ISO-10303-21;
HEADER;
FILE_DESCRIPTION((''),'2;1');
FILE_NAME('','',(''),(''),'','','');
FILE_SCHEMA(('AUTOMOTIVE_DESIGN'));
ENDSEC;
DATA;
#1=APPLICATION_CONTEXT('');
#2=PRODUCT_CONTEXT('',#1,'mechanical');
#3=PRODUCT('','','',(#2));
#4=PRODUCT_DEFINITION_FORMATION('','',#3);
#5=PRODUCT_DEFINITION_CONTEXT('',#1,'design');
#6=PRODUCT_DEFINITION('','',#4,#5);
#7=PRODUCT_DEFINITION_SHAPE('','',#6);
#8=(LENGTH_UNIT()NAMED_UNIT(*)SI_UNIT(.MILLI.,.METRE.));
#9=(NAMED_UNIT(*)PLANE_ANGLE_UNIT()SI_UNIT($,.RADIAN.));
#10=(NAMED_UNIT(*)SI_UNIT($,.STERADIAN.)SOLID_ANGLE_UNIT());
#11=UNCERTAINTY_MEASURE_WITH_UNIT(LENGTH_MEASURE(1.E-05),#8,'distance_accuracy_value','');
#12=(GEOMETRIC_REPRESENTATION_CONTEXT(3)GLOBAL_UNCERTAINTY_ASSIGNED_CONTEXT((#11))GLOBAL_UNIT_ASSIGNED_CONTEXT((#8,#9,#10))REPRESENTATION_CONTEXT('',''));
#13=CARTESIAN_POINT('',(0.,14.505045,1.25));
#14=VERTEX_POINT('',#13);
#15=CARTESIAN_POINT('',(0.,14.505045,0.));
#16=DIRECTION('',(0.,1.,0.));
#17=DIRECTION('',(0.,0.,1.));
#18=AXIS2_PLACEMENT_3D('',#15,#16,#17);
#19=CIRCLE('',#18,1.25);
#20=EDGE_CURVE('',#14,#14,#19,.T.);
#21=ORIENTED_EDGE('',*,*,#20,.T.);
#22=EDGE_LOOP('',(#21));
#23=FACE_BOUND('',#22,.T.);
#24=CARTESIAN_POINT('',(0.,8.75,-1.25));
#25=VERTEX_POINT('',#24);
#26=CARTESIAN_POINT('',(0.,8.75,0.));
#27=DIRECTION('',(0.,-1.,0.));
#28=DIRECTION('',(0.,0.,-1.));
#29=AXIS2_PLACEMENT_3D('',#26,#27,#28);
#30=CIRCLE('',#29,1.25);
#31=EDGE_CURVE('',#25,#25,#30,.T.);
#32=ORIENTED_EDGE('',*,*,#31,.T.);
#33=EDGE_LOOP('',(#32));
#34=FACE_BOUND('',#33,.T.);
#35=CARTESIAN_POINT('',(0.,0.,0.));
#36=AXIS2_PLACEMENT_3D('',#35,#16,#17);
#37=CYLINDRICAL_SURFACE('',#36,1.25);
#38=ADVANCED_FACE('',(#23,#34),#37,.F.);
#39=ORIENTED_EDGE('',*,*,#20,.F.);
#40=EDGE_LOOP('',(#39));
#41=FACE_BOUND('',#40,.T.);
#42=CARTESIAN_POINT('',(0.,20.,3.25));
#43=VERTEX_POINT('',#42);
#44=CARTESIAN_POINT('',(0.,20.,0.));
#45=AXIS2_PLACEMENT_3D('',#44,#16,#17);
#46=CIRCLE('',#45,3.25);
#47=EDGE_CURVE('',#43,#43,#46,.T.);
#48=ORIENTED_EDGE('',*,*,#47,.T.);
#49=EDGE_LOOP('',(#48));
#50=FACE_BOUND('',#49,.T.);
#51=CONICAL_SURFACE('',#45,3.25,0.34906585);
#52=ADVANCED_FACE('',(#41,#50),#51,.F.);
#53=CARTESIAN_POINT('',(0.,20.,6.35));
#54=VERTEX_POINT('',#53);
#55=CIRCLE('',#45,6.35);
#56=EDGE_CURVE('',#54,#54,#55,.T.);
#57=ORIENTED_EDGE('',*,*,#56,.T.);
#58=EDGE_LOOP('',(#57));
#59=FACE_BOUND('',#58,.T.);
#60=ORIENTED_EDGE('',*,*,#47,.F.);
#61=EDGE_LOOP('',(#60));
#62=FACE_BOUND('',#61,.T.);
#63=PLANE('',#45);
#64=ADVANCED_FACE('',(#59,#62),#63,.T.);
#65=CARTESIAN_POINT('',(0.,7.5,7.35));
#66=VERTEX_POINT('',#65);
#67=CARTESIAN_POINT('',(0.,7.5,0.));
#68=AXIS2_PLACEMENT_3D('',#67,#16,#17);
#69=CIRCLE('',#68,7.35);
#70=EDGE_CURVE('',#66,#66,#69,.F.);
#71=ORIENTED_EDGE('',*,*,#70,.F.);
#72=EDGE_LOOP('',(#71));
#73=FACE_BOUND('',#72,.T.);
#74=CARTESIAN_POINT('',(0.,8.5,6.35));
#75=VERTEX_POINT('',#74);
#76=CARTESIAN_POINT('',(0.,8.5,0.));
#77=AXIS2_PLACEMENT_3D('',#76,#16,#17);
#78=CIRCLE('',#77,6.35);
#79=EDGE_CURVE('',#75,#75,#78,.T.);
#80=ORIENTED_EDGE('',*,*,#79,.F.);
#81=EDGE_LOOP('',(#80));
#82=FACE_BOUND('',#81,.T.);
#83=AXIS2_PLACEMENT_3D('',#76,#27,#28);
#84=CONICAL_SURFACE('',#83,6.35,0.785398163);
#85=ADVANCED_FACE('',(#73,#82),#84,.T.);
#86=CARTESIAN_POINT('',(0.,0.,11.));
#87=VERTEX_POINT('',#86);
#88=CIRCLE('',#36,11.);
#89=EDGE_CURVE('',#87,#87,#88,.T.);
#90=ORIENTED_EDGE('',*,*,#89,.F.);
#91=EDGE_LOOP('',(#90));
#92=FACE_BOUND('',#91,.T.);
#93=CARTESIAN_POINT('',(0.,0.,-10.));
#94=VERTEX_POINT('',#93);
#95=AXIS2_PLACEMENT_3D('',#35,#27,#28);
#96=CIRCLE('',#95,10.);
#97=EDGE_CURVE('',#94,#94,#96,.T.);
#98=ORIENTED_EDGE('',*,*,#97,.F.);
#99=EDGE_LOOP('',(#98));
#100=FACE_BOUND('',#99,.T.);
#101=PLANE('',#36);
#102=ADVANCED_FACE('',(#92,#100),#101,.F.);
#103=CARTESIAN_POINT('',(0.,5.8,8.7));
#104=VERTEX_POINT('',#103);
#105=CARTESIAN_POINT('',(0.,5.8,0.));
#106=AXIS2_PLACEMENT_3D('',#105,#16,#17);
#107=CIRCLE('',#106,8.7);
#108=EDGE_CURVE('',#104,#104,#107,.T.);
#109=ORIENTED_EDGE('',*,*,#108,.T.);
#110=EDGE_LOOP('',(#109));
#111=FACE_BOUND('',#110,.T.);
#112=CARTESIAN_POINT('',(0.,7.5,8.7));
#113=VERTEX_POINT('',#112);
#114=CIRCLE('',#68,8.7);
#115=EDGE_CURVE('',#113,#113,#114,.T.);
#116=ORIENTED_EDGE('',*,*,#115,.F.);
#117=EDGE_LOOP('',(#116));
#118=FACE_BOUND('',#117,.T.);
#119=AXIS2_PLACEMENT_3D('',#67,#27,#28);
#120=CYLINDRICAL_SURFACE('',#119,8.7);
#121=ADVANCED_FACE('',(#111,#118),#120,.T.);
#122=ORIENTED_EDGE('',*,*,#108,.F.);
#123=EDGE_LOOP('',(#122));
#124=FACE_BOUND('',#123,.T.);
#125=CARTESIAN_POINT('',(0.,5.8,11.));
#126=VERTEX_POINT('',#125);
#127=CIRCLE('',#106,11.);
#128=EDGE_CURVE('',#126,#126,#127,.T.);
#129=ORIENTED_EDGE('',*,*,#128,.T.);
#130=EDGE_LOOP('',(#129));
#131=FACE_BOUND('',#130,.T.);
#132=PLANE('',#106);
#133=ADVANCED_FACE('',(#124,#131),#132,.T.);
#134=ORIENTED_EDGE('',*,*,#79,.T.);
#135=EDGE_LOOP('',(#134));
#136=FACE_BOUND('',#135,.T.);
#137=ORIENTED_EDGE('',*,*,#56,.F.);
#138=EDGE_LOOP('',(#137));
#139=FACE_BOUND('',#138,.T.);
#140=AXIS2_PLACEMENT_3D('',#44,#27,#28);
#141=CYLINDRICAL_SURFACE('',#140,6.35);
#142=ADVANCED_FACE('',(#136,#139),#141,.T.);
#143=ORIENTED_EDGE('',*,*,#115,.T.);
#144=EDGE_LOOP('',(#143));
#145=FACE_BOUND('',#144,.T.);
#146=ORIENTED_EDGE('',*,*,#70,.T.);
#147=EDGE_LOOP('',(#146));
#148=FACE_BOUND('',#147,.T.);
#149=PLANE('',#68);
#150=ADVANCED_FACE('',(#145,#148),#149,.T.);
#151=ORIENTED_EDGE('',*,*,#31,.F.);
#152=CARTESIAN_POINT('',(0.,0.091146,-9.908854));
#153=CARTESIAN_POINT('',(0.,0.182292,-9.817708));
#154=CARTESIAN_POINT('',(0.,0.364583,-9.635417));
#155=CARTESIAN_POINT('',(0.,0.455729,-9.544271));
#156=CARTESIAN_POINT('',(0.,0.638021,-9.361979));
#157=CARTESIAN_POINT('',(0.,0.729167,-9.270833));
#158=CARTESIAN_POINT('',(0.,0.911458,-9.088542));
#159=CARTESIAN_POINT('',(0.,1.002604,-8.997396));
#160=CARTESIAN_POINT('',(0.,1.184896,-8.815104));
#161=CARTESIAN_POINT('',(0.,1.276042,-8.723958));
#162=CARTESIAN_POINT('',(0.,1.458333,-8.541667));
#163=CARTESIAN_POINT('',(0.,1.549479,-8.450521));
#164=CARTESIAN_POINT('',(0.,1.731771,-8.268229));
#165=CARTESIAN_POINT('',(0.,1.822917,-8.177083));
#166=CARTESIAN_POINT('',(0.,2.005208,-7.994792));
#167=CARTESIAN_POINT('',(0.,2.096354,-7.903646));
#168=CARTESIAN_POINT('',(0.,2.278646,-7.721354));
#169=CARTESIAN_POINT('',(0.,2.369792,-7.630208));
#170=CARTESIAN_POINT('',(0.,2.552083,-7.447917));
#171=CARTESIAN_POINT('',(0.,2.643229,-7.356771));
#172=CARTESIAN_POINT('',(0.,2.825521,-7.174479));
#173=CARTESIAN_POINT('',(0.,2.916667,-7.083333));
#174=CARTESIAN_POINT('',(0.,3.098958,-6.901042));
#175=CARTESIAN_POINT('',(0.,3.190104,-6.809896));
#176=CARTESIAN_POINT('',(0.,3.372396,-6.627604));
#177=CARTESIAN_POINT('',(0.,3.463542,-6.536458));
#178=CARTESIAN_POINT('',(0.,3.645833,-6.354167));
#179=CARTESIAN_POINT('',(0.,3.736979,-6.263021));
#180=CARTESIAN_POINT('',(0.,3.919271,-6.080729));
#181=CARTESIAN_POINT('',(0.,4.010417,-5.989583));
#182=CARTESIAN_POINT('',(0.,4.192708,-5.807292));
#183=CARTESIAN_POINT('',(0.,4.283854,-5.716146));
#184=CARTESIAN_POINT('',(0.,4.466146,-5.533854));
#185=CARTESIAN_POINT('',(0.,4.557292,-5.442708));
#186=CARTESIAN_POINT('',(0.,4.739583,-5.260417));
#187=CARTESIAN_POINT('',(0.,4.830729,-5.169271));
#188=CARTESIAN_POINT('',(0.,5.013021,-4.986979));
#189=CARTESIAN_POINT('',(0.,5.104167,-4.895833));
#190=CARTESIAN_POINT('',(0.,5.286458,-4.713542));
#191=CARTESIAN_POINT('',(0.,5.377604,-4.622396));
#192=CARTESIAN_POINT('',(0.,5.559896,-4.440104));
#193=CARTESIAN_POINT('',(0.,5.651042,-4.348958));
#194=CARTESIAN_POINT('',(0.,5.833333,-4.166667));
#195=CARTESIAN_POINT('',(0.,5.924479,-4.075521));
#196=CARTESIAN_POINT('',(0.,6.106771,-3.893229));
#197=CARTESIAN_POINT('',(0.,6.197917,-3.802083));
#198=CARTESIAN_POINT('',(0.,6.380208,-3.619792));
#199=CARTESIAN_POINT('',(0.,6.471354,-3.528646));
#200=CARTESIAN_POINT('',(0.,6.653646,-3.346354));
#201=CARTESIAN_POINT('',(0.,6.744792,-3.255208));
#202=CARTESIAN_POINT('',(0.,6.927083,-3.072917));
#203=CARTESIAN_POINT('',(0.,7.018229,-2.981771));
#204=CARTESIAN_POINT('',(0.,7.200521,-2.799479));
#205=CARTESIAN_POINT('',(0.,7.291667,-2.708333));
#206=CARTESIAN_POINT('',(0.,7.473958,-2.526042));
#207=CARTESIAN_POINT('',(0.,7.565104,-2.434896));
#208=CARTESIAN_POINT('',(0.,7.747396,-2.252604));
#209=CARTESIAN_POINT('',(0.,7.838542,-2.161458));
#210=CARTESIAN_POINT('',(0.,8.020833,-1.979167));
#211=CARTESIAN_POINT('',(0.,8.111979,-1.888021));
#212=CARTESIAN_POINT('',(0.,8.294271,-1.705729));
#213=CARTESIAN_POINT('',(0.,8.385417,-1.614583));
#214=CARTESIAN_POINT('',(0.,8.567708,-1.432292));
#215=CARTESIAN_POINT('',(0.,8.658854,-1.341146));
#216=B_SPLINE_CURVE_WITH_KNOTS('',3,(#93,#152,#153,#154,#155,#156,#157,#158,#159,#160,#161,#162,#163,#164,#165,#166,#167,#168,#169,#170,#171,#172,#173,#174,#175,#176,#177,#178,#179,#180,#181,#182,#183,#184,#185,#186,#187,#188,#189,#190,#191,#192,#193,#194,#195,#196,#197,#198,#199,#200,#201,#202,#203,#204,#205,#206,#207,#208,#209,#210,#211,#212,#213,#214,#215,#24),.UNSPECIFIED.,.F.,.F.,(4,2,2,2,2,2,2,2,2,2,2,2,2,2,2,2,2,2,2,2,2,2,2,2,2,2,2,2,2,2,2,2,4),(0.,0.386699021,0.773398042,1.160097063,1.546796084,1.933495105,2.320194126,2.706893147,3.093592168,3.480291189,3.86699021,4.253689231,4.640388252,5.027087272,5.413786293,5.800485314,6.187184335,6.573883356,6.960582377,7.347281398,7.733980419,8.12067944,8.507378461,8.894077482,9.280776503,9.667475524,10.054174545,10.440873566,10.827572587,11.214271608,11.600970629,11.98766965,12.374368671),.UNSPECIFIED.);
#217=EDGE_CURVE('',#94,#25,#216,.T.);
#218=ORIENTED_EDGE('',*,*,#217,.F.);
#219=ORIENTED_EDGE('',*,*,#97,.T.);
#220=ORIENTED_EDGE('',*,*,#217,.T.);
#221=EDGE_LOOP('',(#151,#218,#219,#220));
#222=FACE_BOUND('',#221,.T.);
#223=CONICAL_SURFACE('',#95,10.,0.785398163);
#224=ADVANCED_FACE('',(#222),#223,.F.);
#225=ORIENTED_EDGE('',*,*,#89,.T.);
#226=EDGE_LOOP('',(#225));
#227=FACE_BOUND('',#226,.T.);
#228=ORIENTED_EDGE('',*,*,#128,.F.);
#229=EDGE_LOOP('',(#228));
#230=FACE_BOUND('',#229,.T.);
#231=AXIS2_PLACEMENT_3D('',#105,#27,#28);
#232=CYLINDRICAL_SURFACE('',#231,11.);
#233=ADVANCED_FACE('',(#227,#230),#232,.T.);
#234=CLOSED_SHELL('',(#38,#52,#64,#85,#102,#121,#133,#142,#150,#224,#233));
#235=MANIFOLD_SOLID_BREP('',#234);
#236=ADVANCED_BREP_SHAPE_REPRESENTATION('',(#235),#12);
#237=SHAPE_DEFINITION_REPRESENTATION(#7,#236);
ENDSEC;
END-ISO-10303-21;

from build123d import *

# Parameters (mm, degrees)
SKETCH1_R           = 11
BOSS_EXTRUDE1_DEPTH = 5.8
SKETCH2_R           = 8.7
BOSS_EXTRUDE2_DEPTH = 1.7
SKETCH3_R           = 6.35
BOSS_EXTRUDE3_DEPTH = 12.5
CHAMFER1_SIZE       = 1
SKETCH4_R           = 1.25
CUT_EXTRUDE1_DEPTH  = 26.337718919
SKETCH5_R           = 3.25
CUT_EXTRUDE2_DEPTH  = 8
CUT_EXTRUDE2_DRAFT  = -20
SKETCH6_R           = 10
CUT_EXTRUDE3_DEPTH  = 9
CUT_EXTRUDE3_DRAFT  = -45


with BuildPart() as part:
    # Sketch1 → Boss-Extrude1 (new body)
    with BuildSketch(Plane(origin=(0, 0, 0), x_dir=(1, 0, 0), z_dir=(0, 1, 0))):
        with Locations(Location((0, 0, 0), (0, 0, 270))):
            Circle(SKETCH1_R)
    extrude(amount=BOSS_EXTRUDE1_DEPTH)

    # Sketch2 → Boss-Extrude2 (add)
    with BuildSketch(Plane(origin=(0, 5.8, 0), x_dir=(1, 0, 0), z_dir=(0, 1, 0))):
        with Locations(Location((0, 0, 0), (0, 0, 270))):
            Circle(SKETCH2_R)
    extrude(amount=BOSS_EXTRUDE2_DEPTH)

    # Sketch3 → Boss-Extrude3 (add)
    with BuildSketch(Plane(origin=(0, 7.5, 0), x_dir=(1, 0, 0), z_dir=(0, 1, 0))):
        with Locations(Location((0, 0, 0), (0, 0, 270))):
            Circle(SKETCH3_R)
    extrude(amount=BOSS_EXTRUDE3_DEPTH)

    # Chamfer1
    chamfer1_edges = [part.edges().sort_by_distance(p)[0] for p in [
        (0, 7.5, -6.35),
    ]]
    chamfer(chamfer1_edges, length=CHAMFER1_SIZE)

    # Sketch4 → Cut-Extrude1 (cut, through all)
    with BuildSketch(Plane(origin=(0, 20, 0), x_dir=(1, 0, 0), z_dir=(0, 1, 0))):
        with Locations(Location((0, 0, 0), (0, 0, 270))):
            Circle(SKETCH4_R)
    extrude(amount=-CUT_EXTRUDE1_DEPTH, mode=Mode.SUBTRACT)


with BuildPart() as cut_extrude2_tool:
    # Sketch5 → Cut-Extrude2 (with draft: the straight prism first)
    with BuildSketch(Plane(origin=(0, 20, 0), x_dir=(1, 0, 0), z_dir=(0, 1, 0))):
        Circle(SKETCH5_R)
    extrude(amount=-CUT_EXTRUDE2_DEPTH)
    # Cut-Extrude2: the draft: its side faces are tilted about the plane it starts from
    cut_extrude2_sides = [cut_extrude2_tool.faces().sort_by_distance(p)[0] for p in [
        (-3.25, 16, 0),
    ]]
    draft(cut_extrude2_sides, Plane(origin=(0, 20, 0), x_dir=(1, 0, 0), z_dir=(0, 1, 0)), CUT_EXTRUDE2_DRAFT)


with BuildPart() as part_1:
    add(part.part)

    # Cut-Extrude2: cut by cut_extrude2_tool
    add(cut_extrude2_tool.part, mode=Mode.SUBTRACT)


with BuildPart() as cut_extrude3_tool:
    # Sketch6 → Cut-Extrude3 (with draft: the straight prism first)
    with BuildSketch(Plane.XZ):
        Circle(SKETCH6_R)
    extrude(amount=-CUT_EXTRUDE3_DEPTH)
    # Cut-Extrude3: the draft: its side faces are tilted about the plane it starts from
    cut_extrude3_sides = [cut_extrude3_tool.faces().sort_by_distance(p)[0] for p in [
        (-10, 4.5, 0),
    ]]
    draft(cut_extrude3_sides, Plane.XZ, CUT_EXTRUDE3_DRAFT)


with BuildPart() as part_2:
    add(part_1.part)

    # Cut-Extrude3: cut by cut_extrude3_tool
    add(cut_extrude3_tool.part, mode=Mode.SUBTRACT)


solid = part_2.part
